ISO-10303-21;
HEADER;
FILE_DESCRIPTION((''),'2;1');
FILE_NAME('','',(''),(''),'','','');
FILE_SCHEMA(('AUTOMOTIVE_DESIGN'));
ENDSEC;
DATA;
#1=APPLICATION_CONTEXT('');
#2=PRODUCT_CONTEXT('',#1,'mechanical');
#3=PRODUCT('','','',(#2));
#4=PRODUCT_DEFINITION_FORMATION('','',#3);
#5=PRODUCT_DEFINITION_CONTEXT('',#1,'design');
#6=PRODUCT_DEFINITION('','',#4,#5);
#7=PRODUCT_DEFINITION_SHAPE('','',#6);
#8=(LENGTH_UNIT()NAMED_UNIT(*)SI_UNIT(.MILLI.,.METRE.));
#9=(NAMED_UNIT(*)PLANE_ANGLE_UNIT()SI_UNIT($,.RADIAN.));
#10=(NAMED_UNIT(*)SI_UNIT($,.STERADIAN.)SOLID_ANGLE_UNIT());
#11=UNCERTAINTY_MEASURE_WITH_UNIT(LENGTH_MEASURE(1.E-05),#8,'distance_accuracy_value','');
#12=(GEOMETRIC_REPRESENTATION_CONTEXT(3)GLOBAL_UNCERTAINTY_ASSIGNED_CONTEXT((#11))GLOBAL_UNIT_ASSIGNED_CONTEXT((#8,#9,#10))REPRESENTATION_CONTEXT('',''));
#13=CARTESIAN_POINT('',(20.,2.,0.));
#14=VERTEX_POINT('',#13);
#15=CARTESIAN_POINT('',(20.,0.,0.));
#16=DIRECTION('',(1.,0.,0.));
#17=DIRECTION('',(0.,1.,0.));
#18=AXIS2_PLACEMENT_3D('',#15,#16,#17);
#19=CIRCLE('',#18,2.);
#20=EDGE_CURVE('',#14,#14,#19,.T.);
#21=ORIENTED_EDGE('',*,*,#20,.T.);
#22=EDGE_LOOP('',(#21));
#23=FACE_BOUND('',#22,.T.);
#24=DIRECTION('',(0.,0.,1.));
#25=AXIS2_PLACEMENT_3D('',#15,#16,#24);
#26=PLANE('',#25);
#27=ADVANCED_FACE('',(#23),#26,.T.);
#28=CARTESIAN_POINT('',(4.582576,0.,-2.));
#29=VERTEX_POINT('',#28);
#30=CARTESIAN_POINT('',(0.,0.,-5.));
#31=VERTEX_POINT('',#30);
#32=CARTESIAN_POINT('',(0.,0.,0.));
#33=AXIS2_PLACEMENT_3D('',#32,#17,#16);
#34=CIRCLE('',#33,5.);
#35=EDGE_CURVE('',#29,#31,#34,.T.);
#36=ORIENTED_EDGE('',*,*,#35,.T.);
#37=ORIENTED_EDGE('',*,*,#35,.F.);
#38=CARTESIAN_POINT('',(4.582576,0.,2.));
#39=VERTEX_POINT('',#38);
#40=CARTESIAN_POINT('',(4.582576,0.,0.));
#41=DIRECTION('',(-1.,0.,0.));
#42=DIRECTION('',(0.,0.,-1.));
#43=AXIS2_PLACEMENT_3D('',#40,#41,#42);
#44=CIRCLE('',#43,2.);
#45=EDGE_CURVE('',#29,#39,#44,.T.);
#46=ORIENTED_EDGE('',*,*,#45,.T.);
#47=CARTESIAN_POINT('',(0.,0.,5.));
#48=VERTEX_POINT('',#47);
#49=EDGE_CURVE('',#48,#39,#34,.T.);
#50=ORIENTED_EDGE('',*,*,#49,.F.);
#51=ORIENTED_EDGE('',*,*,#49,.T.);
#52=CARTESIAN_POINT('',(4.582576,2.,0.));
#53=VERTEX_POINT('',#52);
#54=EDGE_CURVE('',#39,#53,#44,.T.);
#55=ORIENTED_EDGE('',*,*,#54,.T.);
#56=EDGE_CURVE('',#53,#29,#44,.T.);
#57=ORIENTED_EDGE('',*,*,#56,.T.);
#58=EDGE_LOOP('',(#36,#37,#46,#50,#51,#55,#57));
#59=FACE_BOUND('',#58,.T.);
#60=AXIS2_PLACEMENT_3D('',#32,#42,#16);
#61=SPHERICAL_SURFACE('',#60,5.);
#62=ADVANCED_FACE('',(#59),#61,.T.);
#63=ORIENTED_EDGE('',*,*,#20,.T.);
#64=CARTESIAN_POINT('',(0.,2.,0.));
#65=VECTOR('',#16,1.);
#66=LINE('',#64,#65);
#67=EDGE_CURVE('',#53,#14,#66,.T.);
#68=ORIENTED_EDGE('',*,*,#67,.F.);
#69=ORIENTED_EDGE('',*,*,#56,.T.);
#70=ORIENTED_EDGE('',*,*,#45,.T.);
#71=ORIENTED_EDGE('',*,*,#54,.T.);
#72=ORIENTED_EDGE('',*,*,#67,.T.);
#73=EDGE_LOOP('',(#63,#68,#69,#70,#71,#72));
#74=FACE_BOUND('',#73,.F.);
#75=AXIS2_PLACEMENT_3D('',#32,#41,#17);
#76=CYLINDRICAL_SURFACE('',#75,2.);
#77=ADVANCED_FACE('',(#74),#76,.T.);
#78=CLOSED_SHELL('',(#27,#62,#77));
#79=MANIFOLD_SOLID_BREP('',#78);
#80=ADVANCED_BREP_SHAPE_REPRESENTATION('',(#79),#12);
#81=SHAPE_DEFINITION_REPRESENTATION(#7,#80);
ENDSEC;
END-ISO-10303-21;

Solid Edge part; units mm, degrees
sketch "Sketch1" plane through (0, 0, 0) normal (0, -1, 0) x (1, 0, 0)
  arc A0 (0, 5) -> (0, -5) centre (0, 0) cw
  dimension "D1" = 5
revolve "RevolvedProtrusion1" add sketch "Sketch1" angle 360 about axis through (0, 0, 5) along (0, 0, -1)
sketch "Sketch2" plane through (0, 0, 0) normal (1, 0, 0) x (0, 1, 0)
  circle A0 centre (0, 0) radius 2
extrude "Protrusion1" add sketch "Sketch2" along normal blind 20
properties material "Steel"
